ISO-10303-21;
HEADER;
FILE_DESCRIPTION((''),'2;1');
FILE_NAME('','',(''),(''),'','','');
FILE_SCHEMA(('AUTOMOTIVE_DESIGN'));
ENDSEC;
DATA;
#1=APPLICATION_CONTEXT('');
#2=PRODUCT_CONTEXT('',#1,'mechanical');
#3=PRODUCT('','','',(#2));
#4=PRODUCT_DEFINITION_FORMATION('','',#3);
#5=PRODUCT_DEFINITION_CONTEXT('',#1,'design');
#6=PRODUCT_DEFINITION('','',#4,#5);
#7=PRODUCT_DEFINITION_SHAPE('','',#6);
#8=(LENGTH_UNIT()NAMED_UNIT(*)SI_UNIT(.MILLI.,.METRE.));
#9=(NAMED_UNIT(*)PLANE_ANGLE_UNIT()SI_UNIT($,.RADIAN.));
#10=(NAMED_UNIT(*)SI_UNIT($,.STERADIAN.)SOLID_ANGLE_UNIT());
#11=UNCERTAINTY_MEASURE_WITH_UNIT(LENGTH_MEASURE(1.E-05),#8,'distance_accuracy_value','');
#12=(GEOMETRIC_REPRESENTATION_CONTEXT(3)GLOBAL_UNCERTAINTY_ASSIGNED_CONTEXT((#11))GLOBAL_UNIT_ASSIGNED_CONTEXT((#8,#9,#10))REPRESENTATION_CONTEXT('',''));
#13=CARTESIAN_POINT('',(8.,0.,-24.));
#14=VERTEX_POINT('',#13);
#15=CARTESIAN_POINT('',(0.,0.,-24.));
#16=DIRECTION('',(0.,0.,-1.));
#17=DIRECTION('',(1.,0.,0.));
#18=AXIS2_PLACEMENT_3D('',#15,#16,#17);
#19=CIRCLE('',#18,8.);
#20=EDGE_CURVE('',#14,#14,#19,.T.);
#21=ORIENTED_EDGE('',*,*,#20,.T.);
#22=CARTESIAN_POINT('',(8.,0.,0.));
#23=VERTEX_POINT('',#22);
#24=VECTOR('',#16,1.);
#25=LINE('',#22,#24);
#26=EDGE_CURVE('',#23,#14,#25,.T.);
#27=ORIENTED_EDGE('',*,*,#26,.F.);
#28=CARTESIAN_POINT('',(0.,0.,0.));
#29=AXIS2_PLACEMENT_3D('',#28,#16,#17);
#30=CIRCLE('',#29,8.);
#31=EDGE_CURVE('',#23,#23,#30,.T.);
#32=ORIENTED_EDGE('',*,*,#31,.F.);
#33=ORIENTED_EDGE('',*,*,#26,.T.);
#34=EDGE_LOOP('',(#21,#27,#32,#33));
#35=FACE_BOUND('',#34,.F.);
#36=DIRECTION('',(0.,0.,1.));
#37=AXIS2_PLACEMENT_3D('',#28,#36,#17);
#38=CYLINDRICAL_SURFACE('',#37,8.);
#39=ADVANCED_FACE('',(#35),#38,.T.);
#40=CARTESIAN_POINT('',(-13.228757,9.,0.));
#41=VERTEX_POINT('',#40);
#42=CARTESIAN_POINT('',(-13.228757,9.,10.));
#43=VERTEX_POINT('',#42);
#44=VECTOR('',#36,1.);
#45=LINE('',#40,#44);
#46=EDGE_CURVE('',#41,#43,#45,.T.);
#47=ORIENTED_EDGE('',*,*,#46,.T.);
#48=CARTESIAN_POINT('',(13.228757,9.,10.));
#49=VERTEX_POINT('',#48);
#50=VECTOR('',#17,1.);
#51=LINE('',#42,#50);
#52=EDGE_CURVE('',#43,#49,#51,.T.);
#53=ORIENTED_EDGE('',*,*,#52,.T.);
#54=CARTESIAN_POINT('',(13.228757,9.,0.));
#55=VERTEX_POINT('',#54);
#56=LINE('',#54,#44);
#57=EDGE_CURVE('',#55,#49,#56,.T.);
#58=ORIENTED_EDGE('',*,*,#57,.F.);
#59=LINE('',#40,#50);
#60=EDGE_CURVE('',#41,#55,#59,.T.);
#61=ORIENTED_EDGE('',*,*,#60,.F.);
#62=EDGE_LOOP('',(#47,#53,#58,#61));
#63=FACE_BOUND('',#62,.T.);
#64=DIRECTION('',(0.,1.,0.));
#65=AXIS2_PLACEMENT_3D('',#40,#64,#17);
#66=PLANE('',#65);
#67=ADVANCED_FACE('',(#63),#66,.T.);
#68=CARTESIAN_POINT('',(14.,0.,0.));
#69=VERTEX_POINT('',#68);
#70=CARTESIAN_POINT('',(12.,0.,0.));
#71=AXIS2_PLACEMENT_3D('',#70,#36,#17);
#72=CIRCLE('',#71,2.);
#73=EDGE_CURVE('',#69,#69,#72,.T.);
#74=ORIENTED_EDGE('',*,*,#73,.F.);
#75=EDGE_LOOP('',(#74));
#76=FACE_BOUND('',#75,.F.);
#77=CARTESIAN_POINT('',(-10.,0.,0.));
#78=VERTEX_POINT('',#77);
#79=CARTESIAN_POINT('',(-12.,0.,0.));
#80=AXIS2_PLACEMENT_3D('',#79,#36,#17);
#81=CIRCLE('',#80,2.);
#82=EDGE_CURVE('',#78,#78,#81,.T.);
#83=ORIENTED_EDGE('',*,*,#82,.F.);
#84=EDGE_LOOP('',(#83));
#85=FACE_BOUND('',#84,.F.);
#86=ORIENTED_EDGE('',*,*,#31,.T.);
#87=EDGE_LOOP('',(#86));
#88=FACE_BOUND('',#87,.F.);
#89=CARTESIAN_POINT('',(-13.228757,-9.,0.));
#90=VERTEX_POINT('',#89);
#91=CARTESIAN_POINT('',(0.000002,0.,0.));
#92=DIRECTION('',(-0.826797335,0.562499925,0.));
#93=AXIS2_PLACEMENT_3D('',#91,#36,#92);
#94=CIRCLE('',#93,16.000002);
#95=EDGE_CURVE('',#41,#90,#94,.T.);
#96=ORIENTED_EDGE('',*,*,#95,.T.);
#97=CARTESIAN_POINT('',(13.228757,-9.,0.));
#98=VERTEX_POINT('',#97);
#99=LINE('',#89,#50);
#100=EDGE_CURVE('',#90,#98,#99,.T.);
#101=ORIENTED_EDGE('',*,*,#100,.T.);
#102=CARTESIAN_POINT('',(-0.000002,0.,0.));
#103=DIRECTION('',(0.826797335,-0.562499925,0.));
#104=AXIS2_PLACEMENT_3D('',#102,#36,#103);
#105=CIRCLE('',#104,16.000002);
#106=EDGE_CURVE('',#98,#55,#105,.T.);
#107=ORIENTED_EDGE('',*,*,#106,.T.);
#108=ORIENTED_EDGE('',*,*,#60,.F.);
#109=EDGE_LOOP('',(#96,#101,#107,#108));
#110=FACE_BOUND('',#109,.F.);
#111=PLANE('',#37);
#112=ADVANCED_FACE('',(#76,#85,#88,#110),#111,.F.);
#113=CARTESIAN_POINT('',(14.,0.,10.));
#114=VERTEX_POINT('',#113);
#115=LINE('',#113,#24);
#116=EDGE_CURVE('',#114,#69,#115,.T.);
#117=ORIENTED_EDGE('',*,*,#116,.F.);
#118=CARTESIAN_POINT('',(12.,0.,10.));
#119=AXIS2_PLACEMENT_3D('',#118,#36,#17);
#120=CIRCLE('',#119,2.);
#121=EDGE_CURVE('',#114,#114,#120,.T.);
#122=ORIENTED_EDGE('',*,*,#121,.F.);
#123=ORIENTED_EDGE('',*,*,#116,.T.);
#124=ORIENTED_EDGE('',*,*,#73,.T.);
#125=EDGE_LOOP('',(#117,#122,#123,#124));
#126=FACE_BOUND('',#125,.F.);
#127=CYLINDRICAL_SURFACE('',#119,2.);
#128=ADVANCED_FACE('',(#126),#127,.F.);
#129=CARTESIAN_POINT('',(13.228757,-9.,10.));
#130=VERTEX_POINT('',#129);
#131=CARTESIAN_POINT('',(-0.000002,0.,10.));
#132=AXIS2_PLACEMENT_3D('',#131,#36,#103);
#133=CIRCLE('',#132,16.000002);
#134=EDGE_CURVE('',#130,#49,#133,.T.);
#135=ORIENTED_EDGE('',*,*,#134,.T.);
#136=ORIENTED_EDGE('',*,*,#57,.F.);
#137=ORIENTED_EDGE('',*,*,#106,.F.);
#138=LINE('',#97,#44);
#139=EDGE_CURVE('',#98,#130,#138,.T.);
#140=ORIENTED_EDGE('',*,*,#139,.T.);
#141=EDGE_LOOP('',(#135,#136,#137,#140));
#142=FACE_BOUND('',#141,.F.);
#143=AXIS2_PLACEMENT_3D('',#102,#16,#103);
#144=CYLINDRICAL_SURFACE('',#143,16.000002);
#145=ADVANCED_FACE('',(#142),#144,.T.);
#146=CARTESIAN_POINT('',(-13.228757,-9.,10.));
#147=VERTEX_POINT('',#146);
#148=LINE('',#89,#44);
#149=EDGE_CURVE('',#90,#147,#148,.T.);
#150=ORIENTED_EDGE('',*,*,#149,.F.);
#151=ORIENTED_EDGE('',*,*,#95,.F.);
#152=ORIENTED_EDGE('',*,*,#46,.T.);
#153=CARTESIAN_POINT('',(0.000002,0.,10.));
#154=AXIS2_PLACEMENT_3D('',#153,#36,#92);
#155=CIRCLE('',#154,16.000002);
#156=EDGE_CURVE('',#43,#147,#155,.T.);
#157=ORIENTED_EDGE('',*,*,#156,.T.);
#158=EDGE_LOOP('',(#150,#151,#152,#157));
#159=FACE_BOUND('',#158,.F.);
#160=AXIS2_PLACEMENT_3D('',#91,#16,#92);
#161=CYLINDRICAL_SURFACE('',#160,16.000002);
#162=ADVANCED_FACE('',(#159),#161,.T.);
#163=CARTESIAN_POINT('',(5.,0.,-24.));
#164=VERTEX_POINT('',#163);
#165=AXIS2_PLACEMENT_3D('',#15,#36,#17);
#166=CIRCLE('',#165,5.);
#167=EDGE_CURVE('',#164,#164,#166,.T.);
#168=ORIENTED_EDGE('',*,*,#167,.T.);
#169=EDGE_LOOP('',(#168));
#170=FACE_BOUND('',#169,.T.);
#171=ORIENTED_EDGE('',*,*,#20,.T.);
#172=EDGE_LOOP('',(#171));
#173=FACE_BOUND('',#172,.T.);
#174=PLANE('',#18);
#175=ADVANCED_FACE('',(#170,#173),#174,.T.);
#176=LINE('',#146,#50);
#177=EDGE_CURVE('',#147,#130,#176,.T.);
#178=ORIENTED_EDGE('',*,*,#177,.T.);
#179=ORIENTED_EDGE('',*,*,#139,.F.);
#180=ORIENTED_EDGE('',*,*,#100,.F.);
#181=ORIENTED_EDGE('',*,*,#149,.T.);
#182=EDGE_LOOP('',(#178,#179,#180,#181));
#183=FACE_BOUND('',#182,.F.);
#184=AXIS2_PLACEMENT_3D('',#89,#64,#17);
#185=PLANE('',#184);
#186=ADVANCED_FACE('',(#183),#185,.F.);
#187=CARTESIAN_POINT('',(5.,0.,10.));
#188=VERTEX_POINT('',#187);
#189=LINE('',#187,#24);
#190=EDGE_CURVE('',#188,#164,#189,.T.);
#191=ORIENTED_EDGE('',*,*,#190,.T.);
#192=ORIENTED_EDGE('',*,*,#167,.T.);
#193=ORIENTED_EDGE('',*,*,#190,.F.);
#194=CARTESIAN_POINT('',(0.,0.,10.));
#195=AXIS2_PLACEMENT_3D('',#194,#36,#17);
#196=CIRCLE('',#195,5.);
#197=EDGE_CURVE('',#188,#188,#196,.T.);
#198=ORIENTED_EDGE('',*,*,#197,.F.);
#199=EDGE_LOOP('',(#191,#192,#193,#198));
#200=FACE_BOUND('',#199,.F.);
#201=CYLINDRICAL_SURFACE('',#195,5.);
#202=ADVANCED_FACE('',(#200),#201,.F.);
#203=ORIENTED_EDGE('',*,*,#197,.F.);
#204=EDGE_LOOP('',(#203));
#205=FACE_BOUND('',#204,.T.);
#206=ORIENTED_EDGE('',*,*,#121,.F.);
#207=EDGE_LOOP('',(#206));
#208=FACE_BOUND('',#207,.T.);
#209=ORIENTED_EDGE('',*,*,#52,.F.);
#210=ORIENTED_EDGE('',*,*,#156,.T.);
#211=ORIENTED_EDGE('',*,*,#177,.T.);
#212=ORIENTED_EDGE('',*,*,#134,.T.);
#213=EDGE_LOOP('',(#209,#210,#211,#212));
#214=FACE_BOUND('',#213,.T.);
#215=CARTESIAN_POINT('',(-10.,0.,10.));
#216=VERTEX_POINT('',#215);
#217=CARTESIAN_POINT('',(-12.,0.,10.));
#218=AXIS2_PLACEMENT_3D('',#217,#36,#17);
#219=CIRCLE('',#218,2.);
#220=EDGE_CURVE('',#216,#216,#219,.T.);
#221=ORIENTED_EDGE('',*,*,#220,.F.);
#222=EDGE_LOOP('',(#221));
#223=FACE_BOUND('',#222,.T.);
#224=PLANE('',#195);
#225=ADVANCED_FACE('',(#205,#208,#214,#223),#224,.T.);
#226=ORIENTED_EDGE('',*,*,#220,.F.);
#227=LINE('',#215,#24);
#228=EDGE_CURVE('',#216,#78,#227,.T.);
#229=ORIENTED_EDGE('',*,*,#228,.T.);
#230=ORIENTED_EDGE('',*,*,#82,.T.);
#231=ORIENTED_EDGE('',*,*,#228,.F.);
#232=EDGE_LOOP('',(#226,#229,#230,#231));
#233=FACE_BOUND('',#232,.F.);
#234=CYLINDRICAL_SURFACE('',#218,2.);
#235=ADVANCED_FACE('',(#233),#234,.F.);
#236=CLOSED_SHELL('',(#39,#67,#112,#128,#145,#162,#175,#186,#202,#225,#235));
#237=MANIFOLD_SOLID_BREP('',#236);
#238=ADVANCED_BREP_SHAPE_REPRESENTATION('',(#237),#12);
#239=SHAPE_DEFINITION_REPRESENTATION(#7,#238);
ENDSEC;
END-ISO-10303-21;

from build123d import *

# Parameters (mm, degrees)
PAD_DEPTH     = 10
SKETCH001_R   = 8
PAD001_DEPTH  = 24
SKETCH002_R   = 5
SKETCH002_R_2 = 2
POCKET_DEPTH  = 34.001


with BuildPart() as part:
    # Sketch → Pad (new body)
    with BuildSketch(Plane.XY):
        with BuildLine():
            ThreePointArc((-13.228757, 9), (-16, 0), (-13.228757, -9))
            Line((-13.228757, -9), (13.228757, -9))
            ThreePointArc((13.228757, -9), (16, 0), (13.228757, 9))
            Line((-13.228757, 9), (13.228757, 9))
        make_face()
    extrude(amount=PAD_DEPTH)

    # Sketch001 (on Face5 of Pad) → Pad001 (join)
    with BuildSketch(Plane(origin=(0, 0, 0), x_dir=(1, 0, 0), z_dir=(0, 0, -1))):
        Circle(SKETCH001_R)
    extrude(amount=PAD001_DEPTH)

    # Sketch002 (on Face5 of Pad001) → Pocket (cut, through all)
    with BuildSketch(Plane.XY.offset(10)):
        Circle(SKETCH002_R)
        with Locations((12, 0)):
            Circle(SKETCH002_R_2)
        with Locations((-12, 0)):
            Circle(SKETCH002_R_2)
    extrude(amount=-POCKET_DEPTH, mode=Mode.SUBTRACT)


solid = part.part
